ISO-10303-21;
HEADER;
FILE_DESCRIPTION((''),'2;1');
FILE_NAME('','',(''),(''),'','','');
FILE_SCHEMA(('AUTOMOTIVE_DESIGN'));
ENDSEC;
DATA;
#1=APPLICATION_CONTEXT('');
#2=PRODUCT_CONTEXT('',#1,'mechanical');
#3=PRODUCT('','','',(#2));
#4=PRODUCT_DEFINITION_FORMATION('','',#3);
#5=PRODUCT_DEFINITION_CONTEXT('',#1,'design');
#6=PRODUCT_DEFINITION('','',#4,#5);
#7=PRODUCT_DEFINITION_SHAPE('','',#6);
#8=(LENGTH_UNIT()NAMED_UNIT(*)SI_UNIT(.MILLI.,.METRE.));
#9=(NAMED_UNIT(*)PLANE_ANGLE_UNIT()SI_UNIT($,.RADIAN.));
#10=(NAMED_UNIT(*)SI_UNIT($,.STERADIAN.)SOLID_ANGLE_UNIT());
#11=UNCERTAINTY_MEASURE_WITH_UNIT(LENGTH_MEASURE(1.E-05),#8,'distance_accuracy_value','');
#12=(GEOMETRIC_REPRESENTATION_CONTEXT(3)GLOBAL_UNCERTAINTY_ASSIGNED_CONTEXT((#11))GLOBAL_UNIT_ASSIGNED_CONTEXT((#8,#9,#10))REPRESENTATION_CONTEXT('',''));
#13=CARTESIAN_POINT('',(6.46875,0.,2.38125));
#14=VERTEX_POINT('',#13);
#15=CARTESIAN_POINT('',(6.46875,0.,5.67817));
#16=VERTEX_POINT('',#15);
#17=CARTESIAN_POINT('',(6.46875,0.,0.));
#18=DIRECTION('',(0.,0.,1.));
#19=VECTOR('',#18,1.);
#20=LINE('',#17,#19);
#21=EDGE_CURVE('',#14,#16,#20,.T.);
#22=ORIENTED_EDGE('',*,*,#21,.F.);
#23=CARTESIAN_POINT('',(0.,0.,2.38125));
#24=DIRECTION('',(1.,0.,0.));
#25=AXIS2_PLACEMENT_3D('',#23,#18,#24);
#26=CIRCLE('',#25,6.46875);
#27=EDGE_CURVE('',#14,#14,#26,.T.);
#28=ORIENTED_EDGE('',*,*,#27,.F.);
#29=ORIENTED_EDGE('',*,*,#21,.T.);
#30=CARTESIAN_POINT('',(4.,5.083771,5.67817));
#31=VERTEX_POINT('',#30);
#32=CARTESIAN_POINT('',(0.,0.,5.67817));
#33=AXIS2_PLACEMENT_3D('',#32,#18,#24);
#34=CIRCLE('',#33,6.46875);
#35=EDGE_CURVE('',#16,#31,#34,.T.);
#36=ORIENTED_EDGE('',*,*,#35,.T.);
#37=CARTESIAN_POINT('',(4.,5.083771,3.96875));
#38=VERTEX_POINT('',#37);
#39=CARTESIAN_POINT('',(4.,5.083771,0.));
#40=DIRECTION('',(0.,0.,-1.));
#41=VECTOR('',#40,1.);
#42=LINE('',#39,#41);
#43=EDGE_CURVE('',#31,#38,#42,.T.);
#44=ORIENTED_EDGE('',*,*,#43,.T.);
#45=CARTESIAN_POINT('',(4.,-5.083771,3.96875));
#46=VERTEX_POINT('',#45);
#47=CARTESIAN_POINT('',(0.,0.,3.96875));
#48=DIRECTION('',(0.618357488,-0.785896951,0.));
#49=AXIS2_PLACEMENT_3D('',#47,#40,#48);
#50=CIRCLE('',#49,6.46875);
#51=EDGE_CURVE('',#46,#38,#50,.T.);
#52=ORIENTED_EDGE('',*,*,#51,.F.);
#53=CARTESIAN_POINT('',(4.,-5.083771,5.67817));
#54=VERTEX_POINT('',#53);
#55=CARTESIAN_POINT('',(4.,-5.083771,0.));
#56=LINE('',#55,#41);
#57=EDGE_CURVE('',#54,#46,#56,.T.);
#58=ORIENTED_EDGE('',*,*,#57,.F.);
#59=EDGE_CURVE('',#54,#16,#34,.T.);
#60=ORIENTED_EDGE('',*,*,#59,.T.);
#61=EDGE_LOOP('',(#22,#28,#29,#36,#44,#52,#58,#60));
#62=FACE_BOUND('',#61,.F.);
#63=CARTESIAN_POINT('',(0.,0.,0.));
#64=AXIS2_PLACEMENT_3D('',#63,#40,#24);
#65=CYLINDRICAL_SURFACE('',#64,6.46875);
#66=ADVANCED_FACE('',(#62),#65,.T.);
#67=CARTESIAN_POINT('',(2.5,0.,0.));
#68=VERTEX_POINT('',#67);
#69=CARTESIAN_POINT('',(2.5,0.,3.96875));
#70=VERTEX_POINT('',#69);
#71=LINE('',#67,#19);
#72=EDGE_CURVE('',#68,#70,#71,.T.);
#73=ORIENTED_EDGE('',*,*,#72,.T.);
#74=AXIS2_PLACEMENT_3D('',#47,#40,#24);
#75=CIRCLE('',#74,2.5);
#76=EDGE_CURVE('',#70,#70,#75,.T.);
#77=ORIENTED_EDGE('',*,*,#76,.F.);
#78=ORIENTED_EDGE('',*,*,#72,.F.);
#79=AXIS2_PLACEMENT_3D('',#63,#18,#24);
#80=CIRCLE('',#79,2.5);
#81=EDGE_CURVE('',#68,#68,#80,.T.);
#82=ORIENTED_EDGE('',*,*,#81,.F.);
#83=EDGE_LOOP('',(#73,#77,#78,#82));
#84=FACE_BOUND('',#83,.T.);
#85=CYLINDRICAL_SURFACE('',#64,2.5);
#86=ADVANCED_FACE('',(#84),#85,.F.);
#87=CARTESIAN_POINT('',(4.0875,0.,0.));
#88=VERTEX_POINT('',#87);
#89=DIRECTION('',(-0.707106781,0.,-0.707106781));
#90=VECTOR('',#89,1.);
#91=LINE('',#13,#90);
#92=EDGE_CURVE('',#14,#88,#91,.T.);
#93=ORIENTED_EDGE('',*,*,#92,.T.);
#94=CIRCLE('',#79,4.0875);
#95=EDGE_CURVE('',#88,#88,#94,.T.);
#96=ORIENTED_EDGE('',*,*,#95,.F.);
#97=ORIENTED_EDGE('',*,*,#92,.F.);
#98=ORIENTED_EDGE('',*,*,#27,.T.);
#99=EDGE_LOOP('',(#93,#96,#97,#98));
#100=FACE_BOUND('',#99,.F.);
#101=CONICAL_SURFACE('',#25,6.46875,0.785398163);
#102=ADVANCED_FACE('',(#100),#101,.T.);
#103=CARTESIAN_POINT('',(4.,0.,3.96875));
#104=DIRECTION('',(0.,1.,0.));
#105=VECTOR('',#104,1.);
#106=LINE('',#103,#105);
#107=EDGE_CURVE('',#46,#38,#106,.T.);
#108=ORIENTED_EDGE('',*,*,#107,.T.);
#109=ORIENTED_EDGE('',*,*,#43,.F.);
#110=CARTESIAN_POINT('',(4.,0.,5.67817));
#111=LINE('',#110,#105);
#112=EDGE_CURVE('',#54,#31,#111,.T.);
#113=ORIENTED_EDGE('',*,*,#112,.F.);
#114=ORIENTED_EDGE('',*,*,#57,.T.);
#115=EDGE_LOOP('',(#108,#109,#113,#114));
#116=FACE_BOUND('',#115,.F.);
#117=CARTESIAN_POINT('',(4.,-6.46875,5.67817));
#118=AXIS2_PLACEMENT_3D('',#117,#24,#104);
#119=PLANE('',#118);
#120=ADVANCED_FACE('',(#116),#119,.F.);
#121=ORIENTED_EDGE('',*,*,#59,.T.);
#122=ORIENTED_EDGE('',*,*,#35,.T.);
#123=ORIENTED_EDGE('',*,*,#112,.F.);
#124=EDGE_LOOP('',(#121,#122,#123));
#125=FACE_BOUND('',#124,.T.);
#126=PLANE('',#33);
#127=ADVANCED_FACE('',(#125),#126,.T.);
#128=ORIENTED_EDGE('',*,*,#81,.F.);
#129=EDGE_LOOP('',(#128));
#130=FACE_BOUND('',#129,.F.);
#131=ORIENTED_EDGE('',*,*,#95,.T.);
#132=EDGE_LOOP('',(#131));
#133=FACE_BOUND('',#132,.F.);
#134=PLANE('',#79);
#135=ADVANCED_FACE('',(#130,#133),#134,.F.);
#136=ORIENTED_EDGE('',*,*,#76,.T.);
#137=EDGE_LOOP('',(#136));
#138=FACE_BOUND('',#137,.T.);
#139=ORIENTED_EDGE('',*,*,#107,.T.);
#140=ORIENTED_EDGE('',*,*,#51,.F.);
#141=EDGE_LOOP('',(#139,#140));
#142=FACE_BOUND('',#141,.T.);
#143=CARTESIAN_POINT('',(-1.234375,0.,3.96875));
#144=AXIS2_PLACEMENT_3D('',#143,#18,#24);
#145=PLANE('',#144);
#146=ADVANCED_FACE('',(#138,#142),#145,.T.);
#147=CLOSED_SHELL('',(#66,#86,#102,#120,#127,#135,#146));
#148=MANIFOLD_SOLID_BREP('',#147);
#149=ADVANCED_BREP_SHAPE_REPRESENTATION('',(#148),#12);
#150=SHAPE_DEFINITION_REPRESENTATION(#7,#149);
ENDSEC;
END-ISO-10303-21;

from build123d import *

# Parameters (mm, degrees)
F0_R     = 6.46875
F0_R_2   = 2.5
F1_DEPTH = 5.67817
F2_SIZE  = 2.38125
F3_W     = 10.46875
F3_H     = 12.9375
F4_DEPTH = 1.70942


with BuildPart() as f1:
    # F0 (on Top) → F1 (new body)
    with BuildSketch(Plane.XY):
        Circle(F0_R)
        Circle(F0_R_2, mode=Mode.SUBTRACT)
    extrude(amount=F1_DEPTH)

    # F2
    f2_edges = [f1.edges().sort_by_distance(p)[0] for p in [
        (-6.46875, 0, 0),
    ]]
    chamfer(f2_edges, length=F2_SIZE)

    # F3 (on face) → F4 (cut)
    with BuildSketch(Plane.XY.offset(5.67817)):
        with Locations((-1.234375, 0)):
            Rectangle(F3_W, F3_H)
    extrude(amount=-F4_DEPTH, mode=Mode.SUBTRACT)


solid = f1.part
